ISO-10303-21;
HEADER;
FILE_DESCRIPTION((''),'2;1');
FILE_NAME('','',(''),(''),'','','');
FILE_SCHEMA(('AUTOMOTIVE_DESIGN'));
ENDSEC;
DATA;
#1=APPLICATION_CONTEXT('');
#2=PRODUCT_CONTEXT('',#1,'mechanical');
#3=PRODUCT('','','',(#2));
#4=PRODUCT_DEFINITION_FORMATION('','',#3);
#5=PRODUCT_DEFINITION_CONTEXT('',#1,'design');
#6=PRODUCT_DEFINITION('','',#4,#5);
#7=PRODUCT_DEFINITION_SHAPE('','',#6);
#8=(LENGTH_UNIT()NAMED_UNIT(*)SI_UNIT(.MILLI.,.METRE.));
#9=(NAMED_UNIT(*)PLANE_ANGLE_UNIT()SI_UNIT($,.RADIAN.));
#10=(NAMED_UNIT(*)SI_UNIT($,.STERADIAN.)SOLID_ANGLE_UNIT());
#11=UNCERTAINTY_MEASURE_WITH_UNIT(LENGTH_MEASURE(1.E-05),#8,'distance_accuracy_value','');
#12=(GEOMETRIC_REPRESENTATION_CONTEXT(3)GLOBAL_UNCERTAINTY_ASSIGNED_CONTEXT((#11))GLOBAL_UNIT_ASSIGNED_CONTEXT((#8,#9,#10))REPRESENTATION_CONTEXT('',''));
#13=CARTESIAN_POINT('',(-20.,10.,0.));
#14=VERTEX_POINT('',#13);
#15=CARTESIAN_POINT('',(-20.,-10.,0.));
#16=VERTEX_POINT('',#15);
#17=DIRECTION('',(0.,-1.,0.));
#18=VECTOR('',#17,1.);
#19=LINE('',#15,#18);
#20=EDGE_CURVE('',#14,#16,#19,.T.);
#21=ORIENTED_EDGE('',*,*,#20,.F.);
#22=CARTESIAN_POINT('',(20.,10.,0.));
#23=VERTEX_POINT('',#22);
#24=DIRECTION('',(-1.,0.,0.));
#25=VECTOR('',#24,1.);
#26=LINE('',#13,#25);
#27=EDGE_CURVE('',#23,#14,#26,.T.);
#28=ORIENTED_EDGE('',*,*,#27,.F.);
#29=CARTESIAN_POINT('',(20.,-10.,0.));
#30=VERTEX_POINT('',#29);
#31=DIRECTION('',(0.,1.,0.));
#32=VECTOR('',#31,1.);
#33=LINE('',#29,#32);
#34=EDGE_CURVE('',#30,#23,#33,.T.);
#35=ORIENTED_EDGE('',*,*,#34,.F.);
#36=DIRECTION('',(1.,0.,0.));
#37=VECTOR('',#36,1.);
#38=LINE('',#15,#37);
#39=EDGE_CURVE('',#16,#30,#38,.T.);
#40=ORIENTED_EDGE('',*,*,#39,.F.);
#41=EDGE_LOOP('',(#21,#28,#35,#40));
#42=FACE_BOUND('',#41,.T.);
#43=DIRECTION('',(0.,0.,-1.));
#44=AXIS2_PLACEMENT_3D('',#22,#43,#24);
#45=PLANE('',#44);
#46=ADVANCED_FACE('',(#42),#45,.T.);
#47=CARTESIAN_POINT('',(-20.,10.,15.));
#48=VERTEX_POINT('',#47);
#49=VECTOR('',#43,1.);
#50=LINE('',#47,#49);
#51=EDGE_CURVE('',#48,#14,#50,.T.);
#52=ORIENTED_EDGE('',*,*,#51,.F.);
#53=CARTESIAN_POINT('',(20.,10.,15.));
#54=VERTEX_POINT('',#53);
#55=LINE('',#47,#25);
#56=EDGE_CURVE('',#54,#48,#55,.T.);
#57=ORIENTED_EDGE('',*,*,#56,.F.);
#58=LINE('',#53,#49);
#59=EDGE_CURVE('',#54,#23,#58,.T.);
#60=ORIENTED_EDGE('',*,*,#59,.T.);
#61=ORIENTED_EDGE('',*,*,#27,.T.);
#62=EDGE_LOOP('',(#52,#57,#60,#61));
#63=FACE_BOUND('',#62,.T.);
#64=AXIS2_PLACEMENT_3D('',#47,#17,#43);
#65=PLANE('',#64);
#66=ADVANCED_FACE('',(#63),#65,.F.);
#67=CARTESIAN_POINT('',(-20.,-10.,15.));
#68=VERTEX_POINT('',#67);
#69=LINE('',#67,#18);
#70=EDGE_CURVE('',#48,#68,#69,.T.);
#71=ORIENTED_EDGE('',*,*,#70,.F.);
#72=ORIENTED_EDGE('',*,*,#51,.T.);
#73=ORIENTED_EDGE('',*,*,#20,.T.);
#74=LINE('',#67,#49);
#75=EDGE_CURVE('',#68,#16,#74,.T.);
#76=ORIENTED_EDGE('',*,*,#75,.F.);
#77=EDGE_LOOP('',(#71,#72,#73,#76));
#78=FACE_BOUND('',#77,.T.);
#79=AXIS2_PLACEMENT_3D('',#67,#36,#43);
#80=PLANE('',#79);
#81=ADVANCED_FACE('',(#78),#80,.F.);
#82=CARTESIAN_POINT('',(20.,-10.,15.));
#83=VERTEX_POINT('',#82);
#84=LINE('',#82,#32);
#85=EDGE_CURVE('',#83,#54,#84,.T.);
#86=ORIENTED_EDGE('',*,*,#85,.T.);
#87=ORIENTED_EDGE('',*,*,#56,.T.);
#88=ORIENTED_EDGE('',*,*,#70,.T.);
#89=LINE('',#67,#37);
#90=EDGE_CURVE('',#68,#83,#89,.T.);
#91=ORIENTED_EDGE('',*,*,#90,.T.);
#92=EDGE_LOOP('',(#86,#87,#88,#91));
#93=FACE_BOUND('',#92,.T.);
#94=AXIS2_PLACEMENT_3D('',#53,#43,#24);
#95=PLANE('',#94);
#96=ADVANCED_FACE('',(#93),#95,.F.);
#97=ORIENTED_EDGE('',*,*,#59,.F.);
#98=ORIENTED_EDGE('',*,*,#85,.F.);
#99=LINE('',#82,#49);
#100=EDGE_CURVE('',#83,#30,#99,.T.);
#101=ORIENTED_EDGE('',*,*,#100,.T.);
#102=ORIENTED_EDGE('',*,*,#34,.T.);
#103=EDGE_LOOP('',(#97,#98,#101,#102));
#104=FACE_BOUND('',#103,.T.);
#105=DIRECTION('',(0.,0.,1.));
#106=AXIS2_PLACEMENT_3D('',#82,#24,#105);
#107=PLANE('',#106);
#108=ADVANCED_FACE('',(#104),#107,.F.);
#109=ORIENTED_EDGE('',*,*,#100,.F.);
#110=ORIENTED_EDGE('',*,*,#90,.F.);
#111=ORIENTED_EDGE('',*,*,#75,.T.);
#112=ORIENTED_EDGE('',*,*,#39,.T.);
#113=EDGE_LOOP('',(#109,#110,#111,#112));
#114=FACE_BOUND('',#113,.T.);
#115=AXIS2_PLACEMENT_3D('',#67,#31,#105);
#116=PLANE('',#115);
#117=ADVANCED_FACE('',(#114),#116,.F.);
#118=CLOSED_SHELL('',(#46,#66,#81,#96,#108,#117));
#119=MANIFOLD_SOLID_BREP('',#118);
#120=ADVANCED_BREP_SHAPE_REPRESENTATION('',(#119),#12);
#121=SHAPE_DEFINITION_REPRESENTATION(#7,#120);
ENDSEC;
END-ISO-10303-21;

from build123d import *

# Parameters (mm, degrees)
SKETCH2_W           = 40
SKETCH2_H           = 20
BOSS_EXTRUDE1_DEPTH = 15


with BuildPart() as part:
    # Sketch2 → Boss-Extrude1 (new body)
    with BuildSketch(Plane.XY):
        Rectangle(SKETCH2_W, SKETCH2_H)
    extrude(amount=BOSS_EXTRUDE1_DEPTH)


solid = part.part
